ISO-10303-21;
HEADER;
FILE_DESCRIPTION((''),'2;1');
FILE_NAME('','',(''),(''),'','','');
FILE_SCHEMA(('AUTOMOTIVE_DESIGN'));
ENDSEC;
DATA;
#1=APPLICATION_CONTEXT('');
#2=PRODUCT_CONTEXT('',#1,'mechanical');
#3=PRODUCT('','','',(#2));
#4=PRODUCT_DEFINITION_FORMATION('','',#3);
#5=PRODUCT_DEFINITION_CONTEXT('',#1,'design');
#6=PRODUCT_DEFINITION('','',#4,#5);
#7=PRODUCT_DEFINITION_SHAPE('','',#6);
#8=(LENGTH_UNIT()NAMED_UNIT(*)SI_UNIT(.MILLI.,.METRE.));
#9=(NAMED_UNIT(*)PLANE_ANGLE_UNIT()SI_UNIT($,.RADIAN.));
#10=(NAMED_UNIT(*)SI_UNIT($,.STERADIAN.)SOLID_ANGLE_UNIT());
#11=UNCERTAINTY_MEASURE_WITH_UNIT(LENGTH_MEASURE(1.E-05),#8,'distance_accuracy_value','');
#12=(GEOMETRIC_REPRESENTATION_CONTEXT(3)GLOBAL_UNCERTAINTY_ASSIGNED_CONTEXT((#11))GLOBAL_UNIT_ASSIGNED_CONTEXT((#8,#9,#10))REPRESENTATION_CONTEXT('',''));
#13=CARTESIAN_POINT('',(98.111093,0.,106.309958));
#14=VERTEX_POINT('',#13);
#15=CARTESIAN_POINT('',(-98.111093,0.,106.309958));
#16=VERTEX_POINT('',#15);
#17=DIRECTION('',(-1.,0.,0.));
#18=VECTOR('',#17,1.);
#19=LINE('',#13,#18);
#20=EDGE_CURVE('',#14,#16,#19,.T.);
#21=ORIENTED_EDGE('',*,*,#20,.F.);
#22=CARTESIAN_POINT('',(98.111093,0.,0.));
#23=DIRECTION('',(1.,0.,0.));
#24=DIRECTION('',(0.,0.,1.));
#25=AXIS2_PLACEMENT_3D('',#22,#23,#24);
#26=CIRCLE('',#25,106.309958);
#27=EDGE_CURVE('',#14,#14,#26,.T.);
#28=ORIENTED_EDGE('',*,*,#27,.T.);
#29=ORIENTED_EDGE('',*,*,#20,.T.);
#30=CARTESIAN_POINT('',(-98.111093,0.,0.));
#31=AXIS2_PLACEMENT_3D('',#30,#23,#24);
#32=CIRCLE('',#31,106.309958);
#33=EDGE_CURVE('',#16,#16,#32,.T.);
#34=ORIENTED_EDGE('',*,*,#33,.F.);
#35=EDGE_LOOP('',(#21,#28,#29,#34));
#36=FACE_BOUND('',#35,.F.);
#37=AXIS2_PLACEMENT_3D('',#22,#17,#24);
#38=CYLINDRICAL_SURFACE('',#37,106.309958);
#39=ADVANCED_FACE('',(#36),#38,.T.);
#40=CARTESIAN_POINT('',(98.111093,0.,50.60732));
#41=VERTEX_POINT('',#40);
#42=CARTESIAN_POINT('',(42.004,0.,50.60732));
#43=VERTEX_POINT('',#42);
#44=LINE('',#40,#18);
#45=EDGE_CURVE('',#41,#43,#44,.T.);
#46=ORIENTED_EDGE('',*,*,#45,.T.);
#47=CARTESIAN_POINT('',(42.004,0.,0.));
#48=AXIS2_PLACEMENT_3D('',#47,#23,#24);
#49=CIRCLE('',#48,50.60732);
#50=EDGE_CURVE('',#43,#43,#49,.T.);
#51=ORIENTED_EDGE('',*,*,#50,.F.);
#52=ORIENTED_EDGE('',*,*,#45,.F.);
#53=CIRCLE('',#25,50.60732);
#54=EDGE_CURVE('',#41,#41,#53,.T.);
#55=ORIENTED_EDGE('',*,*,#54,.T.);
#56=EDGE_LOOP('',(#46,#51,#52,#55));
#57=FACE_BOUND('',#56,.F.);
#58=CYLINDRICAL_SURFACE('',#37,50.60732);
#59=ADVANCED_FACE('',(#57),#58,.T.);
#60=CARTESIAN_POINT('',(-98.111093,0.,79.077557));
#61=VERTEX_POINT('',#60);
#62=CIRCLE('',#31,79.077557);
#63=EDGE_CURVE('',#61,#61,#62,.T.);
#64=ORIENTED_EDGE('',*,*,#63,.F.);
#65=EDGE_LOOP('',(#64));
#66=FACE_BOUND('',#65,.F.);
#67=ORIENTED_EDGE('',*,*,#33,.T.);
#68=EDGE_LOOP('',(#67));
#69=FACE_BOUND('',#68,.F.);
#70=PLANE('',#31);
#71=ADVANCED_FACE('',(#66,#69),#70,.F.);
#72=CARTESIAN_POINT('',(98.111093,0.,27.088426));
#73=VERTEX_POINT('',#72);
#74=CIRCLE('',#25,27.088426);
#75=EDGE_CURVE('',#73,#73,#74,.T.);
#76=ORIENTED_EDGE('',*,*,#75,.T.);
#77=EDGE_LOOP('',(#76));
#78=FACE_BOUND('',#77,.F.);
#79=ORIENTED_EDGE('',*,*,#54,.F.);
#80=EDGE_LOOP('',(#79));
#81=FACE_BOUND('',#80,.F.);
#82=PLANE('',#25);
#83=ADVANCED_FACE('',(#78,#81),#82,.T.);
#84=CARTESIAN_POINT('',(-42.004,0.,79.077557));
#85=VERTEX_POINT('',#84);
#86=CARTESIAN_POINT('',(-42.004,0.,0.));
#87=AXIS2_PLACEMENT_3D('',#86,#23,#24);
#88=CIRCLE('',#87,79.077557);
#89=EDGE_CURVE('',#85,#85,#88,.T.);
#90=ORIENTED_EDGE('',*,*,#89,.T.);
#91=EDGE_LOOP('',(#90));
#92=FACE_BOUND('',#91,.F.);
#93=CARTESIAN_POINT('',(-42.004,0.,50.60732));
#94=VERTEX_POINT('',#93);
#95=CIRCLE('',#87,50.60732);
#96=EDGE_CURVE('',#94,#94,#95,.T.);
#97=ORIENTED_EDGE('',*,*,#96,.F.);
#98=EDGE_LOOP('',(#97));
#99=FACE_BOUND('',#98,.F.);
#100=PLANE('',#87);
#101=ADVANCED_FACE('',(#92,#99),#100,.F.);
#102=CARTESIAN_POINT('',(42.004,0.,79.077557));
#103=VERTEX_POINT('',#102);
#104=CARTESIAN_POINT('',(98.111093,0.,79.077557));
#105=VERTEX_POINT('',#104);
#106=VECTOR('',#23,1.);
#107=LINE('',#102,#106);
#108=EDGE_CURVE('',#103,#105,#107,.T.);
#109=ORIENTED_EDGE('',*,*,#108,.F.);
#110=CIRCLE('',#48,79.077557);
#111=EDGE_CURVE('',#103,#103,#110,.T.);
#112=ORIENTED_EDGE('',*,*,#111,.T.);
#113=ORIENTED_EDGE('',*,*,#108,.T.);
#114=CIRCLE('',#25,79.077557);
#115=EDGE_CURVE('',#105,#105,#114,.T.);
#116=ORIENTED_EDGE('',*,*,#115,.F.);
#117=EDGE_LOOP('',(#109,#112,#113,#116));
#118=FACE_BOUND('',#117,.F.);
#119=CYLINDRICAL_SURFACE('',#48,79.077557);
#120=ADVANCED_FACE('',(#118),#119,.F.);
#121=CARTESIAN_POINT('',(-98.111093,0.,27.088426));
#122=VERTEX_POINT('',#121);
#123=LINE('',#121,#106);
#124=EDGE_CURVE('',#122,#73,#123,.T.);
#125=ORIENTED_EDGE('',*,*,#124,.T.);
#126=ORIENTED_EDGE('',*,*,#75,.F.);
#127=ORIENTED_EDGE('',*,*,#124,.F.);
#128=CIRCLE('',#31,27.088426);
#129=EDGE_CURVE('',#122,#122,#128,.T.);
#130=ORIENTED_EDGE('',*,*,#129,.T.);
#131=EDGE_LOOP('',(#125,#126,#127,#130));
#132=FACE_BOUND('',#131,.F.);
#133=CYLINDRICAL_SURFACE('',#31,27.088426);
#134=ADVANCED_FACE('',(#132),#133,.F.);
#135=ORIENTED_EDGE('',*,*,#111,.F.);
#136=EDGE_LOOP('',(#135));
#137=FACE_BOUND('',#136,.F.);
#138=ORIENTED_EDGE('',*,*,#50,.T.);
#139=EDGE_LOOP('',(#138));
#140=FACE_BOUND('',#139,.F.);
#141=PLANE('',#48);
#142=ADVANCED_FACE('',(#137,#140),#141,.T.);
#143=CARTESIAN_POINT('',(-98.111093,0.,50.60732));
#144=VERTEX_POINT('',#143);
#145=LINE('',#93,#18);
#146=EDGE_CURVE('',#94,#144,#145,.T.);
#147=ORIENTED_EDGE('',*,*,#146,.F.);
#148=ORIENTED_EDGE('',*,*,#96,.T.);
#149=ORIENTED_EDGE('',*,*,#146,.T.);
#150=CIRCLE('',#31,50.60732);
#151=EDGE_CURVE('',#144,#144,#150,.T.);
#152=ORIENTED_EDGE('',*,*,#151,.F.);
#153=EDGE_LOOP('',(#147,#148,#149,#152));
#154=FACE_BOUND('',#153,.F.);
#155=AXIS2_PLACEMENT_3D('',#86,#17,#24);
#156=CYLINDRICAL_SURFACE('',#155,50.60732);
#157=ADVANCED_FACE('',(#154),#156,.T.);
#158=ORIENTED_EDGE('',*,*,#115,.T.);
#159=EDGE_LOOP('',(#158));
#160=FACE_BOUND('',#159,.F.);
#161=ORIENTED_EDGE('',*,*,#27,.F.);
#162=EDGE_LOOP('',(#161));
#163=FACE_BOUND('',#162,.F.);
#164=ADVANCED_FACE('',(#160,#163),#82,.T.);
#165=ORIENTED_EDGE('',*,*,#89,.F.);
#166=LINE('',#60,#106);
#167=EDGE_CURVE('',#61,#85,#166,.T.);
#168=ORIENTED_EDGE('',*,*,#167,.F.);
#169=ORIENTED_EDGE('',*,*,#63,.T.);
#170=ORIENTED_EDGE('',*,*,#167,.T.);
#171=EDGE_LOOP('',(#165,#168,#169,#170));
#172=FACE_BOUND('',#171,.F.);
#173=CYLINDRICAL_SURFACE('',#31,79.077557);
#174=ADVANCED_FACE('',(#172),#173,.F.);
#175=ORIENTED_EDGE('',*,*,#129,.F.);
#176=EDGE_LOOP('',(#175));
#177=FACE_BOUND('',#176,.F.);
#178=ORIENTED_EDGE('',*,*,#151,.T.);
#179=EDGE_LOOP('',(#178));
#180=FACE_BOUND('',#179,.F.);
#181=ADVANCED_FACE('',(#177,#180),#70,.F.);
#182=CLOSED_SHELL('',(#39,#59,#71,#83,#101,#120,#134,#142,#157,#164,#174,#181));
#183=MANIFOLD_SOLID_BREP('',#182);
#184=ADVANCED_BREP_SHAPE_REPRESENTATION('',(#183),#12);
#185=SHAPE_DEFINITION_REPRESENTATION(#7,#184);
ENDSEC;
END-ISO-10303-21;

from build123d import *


with BuildPart() as f1:
    # F0 (on Front) → F1 (revolve)
    with BuildSketch(Plane.XZ):
        Polygon((0, 106.309958), (0, 27.088426), (98.111093, 27.088426), (98.111093, 50.60732), (42.004, 50.60732), (42.004, 79.077557), (98.111093, 79.077557), (98.111093, 106.309958), align=None)
        Polygon((-98.111093, 27.088426), (0, 27.088426), (0, 106.309958), (-98.111093, 106.309958), (-98.111093, 79.077557), (-42.004, 79.077557), (-42.004, 50.60732), (-98.111093, 50.60732), align=None)
    revolve(axis=Axis((-2.042737, 0, 0), (1, 0, 0)))


solid = f1.part
